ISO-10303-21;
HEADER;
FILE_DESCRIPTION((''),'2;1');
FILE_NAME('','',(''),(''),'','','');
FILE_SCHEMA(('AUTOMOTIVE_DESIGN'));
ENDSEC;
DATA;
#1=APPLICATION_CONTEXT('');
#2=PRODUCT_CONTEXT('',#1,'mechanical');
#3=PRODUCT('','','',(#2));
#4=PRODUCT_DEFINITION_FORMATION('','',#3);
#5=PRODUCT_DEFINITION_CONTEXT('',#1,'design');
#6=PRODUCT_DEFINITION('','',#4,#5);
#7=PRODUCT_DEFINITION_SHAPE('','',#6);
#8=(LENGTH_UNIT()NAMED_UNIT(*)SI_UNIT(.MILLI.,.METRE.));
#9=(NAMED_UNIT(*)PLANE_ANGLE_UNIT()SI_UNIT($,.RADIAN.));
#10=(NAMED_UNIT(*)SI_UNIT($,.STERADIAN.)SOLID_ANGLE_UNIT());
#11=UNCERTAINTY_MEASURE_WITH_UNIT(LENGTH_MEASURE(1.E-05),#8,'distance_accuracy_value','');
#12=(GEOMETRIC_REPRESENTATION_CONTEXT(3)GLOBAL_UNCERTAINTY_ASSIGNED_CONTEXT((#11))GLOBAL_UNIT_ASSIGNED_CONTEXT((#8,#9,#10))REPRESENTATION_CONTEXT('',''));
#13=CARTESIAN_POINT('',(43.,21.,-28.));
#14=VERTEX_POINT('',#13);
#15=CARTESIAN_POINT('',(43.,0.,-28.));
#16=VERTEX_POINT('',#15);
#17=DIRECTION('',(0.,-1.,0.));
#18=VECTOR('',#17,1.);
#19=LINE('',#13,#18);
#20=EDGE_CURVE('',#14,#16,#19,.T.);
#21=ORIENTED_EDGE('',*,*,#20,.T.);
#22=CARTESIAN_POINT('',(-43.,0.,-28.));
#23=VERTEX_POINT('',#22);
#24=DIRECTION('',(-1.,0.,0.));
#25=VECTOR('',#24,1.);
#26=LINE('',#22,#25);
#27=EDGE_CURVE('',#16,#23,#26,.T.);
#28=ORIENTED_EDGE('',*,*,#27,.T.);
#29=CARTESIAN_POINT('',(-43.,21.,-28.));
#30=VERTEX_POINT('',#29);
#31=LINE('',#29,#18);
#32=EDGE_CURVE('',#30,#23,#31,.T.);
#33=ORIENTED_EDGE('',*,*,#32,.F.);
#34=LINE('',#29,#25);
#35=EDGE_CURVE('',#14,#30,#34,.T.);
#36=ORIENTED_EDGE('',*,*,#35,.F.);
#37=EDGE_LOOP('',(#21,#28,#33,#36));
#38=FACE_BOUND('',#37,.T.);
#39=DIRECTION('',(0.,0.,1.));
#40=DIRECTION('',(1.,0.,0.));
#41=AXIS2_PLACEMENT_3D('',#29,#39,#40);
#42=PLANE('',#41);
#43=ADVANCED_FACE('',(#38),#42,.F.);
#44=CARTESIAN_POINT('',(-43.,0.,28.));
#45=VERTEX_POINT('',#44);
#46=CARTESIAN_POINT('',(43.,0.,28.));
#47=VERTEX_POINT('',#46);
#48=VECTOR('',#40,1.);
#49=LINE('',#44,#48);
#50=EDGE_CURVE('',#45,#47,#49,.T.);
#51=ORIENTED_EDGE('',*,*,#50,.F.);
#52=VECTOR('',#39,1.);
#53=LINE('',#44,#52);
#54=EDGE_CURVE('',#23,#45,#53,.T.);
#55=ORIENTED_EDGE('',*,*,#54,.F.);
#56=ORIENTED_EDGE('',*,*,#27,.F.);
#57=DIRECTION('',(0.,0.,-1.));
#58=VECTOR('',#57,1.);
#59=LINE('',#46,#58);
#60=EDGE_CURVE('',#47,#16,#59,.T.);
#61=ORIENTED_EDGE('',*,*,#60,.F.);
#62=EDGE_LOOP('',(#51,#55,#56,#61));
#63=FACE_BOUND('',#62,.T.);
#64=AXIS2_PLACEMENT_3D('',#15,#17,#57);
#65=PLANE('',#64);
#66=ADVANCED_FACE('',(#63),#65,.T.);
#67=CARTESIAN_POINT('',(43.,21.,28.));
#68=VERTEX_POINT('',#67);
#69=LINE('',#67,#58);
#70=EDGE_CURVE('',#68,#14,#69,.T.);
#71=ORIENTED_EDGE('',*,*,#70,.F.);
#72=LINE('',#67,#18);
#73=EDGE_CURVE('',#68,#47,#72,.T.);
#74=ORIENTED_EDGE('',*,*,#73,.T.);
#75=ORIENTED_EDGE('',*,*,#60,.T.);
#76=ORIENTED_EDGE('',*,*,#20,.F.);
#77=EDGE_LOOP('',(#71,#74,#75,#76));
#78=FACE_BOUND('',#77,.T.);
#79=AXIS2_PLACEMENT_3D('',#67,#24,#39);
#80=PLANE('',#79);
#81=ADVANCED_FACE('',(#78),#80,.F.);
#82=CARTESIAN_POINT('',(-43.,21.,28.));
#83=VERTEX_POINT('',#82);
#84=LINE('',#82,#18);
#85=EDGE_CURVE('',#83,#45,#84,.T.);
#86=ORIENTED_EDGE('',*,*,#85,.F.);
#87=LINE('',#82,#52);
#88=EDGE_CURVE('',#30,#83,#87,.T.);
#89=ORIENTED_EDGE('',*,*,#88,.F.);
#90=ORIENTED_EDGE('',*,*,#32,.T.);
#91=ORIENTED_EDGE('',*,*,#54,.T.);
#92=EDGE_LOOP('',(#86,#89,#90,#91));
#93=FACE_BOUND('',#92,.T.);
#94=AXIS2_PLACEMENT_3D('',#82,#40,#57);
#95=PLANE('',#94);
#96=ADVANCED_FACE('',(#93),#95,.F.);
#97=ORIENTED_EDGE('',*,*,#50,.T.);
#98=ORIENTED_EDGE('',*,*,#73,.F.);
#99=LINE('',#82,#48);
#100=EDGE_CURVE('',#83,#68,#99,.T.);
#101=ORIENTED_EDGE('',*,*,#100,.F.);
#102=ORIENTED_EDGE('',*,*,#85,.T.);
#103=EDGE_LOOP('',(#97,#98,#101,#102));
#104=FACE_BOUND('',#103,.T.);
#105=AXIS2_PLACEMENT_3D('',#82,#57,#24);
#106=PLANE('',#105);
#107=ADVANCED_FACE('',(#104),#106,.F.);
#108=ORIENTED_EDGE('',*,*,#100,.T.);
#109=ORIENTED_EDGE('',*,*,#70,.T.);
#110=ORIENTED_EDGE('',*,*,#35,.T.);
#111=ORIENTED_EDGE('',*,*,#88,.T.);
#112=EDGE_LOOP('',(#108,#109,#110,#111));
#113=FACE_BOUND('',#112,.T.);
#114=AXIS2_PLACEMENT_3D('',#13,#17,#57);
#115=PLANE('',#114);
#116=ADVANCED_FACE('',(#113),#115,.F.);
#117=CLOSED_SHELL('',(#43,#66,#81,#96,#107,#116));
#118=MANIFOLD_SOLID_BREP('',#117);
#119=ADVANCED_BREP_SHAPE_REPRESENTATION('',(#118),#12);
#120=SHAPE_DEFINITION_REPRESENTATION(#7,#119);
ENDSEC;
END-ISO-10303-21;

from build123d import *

# Parameters (mm, degrees)
SKETCH1_W           = 86
SKETCH1_H           = 56
BOSS_EXTRUDE1_DEPTH = 21


with BuildPart() as part:
    # Sketch1 → Boss-Extrude1 (new body)
    with BuildSketch(Plane(origin=(0, 0, 0), x_dir=(1, 0, 0), z_dir=(0, 1, 0))):
        Rectangle(SKETCH1_W, SKETCH1_H)
    extrude(amount=BOSS_EXTRUDE1_DEPTH)


solid = part.part
